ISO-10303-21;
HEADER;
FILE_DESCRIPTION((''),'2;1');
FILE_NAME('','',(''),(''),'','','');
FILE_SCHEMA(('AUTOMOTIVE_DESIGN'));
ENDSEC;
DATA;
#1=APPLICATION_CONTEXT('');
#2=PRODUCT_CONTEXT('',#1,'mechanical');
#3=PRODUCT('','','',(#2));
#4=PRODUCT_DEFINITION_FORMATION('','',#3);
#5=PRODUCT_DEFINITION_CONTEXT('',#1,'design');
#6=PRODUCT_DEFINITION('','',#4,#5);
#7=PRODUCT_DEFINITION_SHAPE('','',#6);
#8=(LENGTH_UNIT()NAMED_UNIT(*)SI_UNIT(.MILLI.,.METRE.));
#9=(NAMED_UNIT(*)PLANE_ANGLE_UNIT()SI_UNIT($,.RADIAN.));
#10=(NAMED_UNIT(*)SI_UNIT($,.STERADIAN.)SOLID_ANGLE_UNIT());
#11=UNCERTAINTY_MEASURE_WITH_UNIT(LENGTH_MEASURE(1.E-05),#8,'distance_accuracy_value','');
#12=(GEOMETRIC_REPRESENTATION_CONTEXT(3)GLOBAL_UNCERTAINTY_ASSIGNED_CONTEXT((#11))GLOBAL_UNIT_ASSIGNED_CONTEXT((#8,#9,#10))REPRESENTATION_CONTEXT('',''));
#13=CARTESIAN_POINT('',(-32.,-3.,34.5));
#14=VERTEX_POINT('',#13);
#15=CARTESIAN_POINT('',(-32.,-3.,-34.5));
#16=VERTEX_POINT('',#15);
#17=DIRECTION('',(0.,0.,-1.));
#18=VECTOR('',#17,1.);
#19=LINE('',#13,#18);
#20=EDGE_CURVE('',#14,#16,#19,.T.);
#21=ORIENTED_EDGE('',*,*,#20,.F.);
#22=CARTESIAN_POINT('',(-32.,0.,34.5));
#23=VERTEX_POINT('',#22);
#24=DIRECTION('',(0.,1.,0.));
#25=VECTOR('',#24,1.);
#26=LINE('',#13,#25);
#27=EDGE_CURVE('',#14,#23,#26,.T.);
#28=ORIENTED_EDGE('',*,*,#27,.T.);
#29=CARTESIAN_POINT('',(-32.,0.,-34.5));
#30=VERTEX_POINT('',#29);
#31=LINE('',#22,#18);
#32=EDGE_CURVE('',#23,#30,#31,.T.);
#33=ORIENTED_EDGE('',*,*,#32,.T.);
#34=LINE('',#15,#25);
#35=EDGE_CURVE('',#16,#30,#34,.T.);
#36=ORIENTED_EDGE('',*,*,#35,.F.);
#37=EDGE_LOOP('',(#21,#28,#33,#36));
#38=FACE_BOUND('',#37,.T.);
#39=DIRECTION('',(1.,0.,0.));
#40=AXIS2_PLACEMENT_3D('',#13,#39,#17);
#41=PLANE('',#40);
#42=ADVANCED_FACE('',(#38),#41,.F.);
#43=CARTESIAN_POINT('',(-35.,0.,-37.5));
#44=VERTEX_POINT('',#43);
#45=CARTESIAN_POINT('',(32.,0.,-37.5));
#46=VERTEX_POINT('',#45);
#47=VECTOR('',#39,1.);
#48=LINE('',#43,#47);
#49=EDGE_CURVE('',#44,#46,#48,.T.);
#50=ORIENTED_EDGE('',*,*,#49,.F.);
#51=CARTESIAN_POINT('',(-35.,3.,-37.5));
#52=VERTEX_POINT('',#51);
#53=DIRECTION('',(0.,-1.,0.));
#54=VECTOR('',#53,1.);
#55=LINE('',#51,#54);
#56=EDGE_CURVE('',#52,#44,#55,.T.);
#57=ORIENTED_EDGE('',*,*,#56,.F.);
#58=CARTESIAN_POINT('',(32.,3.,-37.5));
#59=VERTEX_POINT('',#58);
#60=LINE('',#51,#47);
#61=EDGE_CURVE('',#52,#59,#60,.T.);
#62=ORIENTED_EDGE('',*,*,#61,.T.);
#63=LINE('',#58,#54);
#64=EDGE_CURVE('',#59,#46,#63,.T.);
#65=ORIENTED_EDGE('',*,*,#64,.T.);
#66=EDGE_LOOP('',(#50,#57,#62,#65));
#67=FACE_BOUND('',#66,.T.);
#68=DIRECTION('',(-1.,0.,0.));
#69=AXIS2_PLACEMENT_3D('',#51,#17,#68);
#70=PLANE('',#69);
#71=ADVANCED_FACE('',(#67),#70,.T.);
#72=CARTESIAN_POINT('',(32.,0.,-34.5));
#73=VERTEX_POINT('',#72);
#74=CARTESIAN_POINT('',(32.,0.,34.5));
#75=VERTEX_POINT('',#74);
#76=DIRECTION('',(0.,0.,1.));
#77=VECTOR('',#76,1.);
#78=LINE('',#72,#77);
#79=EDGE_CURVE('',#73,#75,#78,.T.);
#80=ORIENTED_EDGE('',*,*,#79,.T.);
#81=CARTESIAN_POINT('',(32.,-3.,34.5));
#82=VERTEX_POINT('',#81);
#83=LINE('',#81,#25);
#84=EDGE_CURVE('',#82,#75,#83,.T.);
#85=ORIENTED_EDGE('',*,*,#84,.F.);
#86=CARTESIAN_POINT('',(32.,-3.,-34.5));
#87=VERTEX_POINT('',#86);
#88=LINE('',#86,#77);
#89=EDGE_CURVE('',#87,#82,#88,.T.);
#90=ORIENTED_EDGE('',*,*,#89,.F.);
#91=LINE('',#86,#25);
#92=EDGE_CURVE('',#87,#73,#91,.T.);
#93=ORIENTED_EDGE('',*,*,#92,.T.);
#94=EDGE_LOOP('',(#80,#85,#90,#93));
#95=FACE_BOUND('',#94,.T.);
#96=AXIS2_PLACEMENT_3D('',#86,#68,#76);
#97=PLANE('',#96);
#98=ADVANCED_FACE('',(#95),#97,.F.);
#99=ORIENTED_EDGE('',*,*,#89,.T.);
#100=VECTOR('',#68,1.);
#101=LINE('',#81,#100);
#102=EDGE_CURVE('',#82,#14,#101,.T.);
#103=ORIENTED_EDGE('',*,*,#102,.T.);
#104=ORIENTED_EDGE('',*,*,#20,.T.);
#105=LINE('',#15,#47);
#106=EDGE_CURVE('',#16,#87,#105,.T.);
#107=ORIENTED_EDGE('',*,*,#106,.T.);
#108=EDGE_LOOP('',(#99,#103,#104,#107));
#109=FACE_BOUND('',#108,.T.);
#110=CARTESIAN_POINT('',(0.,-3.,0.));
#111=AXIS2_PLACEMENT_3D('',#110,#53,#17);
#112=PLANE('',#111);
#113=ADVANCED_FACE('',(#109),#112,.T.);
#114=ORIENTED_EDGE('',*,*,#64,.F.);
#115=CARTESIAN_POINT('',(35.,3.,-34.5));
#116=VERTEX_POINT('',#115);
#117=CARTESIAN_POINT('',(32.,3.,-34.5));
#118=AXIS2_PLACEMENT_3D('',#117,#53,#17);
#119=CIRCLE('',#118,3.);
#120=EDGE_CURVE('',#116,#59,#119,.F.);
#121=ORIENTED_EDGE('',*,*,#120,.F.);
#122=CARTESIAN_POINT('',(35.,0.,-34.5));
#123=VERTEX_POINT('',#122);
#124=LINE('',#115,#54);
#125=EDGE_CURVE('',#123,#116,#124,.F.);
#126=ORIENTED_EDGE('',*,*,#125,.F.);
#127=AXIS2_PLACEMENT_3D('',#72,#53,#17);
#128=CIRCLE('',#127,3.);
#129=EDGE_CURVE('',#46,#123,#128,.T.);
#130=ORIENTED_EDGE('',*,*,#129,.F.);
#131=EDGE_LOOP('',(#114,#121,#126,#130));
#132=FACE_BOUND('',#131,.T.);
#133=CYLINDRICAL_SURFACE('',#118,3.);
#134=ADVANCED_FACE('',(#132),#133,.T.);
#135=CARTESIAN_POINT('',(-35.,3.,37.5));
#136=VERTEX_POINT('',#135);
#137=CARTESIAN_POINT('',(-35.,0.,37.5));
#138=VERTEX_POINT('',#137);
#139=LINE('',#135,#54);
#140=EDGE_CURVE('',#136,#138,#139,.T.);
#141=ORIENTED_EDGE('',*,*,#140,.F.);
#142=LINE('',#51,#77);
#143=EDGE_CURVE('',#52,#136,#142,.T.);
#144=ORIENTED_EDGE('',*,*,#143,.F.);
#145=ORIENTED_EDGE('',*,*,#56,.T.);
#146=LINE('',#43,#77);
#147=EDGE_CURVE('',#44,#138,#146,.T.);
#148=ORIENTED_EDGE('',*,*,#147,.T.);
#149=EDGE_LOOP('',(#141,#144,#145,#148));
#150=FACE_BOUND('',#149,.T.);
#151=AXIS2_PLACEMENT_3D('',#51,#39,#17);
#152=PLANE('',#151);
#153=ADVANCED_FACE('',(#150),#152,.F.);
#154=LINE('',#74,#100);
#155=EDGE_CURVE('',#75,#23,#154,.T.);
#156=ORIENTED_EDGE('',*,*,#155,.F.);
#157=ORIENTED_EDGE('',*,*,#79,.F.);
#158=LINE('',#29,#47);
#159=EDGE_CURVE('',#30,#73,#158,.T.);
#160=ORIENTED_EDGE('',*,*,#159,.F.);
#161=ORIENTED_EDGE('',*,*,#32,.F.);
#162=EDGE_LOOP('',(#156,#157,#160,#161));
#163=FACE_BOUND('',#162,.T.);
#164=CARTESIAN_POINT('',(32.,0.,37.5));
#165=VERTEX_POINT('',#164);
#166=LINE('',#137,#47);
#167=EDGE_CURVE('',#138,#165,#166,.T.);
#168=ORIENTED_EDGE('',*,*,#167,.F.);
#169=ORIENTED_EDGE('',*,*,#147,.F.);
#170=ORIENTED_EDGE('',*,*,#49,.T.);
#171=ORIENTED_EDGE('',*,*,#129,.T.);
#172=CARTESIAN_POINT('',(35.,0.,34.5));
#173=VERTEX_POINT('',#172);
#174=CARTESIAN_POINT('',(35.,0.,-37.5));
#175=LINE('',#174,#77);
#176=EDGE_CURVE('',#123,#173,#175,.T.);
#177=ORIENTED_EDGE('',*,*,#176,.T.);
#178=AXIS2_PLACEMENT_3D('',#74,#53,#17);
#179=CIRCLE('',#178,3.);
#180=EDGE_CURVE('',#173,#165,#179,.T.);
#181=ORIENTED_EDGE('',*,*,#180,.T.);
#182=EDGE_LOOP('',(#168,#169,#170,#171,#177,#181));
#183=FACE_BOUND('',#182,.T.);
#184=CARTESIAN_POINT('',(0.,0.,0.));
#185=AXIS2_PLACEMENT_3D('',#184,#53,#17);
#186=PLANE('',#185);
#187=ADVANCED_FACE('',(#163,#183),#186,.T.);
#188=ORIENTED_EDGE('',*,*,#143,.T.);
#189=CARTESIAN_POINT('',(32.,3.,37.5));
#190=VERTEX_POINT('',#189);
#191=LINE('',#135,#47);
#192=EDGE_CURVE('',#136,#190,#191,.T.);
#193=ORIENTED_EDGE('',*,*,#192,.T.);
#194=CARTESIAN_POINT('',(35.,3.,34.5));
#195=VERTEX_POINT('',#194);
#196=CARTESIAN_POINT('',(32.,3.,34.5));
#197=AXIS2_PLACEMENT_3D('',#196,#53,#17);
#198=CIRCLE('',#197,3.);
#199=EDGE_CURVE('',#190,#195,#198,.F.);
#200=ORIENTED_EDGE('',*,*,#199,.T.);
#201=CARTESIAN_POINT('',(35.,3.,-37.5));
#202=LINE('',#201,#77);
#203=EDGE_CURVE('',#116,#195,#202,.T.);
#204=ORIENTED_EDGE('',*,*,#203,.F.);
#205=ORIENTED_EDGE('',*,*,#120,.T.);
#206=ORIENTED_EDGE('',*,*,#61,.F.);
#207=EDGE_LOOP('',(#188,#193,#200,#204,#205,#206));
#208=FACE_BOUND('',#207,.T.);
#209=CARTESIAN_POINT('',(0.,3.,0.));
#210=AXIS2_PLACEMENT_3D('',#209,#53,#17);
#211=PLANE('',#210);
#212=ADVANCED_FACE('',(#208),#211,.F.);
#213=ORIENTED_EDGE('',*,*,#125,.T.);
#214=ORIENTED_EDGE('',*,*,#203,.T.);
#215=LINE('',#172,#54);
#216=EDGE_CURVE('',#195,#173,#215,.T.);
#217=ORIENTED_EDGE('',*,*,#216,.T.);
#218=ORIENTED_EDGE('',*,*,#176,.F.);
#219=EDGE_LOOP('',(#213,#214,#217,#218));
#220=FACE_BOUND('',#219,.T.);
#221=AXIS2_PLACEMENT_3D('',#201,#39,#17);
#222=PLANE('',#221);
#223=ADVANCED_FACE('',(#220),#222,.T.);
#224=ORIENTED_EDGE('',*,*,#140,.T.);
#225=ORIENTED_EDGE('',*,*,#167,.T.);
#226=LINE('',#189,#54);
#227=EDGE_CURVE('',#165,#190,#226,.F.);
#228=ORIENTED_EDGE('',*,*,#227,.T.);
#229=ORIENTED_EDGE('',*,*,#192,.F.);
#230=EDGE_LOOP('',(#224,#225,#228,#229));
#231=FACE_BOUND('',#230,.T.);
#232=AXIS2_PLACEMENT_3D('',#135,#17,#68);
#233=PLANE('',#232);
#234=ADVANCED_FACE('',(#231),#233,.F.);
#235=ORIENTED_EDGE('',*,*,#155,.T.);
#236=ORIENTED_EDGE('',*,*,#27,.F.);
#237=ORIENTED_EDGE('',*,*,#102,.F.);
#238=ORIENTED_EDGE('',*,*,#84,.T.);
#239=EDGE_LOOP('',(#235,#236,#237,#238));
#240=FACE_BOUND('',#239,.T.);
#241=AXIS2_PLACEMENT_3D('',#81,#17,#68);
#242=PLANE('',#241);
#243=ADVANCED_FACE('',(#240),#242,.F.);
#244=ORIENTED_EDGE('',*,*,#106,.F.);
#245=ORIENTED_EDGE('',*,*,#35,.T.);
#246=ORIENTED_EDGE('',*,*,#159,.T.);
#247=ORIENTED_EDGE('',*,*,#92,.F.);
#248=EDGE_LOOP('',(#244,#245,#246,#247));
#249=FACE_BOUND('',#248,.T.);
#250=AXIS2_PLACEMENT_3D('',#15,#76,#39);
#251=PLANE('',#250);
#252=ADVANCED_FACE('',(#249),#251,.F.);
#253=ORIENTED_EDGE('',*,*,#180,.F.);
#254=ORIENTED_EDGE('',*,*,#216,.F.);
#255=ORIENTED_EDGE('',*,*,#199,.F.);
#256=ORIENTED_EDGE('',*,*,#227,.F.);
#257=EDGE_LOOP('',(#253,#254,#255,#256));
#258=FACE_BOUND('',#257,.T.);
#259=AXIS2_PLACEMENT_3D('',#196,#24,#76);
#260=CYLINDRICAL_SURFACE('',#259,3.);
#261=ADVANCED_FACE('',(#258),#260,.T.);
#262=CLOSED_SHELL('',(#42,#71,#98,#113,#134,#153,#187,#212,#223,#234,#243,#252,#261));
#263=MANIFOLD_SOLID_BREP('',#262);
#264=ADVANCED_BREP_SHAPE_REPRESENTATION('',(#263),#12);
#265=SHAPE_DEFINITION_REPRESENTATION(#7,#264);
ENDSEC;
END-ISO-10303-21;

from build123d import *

# Parameters (mm, degrees)
SKETCH1_W           = 70
SKETCH1_H           = 75
BOSS_EXTRUDE1_DEPTH = 3
SKETCH2_W           = 64
SKETCH2_H           = 69
BOSS_EXTRUDE2_DEPTH = 3
FILLET1_R           = 3


with BuildPart() as part:
    # Sketch1 → Boss-Extrude1 (new body)
    with BuildSketch(Plane(origin=(0, 0, 0), x_dir=(1, 0, 0), z_dir=(0, 1, 0))):
        Rectangle(SKETCH1_W, SKETCH1_H)
    extrude(amount=BOSS_EXTRUDE1_DEPTH)

    # Sketch2 → Boss-Extrude2 (add)
    with BuildSketch(Plane.XZ):
        Rectangle(SKETCH2_W, SKETCH2_H)
    extrude(amount=BOSS_EXTRUDE2_DEPTH)

    # Fillet1
    fillet1_edges = [part.edges().sort_by_distance(p)[0] for p in [
        (35, 1.5, 37.5),
        (35, 1.5, -37.5),
    ]]
    fillet(fillet1_edges, radius=FILLET1_R)


solid = part.part
